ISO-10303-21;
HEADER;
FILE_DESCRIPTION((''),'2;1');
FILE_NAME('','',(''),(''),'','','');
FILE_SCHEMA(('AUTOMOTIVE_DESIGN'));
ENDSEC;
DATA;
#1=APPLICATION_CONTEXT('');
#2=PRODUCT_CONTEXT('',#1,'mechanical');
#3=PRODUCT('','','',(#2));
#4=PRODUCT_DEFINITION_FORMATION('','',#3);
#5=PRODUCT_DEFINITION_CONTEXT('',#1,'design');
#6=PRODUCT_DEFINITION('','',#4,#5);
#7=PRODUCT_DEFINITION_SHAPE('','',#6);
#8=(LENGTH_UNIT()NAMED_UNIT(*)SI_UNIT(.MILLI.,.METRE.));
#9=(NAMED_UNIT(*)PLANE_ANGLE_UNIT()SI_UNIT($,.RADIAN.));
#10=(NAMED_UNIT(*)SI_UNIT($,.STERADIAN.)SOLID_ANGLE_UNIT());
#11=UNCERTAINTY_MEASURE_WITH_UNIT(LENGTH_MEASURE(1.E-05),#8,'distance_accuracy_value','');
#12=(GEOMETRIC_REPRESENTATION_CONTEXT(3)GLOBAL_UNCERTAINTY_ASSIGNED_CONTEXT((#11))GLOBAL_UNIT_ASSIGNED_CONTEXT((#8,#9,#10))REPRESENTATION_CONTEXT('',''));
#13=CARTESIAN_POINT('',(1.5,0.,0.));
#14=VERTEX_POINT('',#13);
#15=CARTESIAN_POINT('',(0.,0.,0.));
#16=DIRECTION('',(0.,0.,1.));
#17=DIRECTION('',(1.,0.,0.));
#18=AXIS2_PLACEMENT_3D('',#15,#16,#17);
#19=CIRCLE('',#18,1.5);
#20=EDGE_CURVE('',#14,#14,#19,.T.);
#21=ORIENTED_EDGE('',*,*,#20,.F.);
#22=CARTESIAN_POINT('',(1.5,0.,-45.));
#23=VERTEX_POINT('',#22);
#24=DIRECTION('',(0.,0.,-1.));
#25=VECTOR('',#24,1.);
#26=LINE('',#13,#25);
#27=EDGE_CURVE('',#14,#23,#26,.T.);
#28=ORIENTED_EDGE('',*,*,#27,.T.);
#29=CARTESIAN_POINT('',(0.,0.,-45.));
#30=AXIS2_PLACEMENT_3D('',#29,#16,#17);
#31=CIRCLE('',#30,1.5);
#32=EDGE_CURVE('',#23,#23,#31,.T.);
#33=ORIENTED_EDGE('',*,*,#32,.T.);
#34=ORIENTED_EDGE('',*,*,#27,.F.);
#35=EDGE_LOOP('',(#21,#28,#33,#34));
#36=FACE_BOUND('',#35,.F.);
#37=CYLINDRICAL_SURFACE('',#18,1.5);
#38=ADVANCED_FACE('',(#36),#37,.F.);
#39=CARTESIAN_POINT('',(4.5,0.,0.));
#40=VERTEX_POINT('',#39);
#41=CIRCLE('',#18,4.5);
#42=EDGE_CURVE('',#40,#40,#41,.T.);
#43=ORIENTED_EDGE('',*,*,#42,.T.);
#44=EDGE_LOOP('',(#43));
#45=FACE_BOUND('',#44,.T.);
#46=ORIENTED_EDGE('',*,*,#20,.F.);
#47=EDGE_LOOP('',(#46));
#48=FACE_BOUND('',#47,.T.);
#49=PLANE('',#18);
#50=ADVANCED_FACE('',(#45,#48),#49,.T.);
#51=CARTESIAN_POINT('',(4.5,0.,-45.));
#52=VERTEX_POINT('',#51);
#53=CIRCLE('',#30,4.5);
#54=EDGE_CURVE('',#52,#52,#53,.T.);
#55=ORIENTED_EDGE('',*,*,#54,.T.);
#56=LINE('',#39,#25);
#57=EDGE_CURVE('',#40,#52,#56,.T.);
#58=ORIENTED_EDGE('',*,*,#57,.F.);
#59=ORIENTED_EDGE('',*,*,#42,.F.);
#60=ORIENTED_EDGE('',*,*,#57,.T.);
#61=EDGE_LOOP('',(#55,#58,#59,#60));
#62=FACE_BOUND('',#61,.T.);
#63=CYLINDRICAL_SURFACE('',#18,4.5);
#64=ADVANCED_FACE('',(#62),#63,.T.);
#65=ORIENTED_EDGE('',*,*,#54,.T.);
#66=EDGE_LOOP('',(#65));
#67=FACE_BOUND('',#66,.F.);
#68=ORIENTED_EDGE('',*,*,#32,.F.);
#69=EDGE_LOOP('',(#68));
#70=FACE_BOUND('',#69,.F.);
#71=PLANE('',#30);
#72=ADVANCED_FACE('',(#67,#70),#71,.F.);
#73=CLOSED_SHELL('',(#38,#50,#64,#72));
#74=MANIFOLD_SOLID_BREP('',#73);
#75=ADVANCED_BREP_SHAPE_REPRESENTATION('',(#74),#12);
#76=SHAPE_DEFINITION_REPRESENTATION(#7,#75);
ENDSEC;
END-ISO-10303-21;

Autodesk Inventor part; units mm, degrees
ref_plane "YZ Plane" through (0, 0, 0) normal (1, 0, 0) x (0, 1, 0)
ref_plane "XZ Plane" through (0, 0, 0) normal (0, 1, 0) x (-1, 0, 0)
ref_plane "XY Plane" through (0, 0, 0) normal (0, 0, 1) x (1, 0, 0)
sketch "Sketch1" plane through (0, 0, 0) normal (0, 0, 1) x (1, 0, 0)
  circle A0 centre (0, 0) radius 1.5
  circle A1 centre (0, 0) radius 4.5
  dimension "d0" = 3
  dimension "d1" = 3
extrude "Extrusion1" add sketch "Sketch1" against normal blind 45
properties part number "l45" material "Aluminum 2014-T6"
